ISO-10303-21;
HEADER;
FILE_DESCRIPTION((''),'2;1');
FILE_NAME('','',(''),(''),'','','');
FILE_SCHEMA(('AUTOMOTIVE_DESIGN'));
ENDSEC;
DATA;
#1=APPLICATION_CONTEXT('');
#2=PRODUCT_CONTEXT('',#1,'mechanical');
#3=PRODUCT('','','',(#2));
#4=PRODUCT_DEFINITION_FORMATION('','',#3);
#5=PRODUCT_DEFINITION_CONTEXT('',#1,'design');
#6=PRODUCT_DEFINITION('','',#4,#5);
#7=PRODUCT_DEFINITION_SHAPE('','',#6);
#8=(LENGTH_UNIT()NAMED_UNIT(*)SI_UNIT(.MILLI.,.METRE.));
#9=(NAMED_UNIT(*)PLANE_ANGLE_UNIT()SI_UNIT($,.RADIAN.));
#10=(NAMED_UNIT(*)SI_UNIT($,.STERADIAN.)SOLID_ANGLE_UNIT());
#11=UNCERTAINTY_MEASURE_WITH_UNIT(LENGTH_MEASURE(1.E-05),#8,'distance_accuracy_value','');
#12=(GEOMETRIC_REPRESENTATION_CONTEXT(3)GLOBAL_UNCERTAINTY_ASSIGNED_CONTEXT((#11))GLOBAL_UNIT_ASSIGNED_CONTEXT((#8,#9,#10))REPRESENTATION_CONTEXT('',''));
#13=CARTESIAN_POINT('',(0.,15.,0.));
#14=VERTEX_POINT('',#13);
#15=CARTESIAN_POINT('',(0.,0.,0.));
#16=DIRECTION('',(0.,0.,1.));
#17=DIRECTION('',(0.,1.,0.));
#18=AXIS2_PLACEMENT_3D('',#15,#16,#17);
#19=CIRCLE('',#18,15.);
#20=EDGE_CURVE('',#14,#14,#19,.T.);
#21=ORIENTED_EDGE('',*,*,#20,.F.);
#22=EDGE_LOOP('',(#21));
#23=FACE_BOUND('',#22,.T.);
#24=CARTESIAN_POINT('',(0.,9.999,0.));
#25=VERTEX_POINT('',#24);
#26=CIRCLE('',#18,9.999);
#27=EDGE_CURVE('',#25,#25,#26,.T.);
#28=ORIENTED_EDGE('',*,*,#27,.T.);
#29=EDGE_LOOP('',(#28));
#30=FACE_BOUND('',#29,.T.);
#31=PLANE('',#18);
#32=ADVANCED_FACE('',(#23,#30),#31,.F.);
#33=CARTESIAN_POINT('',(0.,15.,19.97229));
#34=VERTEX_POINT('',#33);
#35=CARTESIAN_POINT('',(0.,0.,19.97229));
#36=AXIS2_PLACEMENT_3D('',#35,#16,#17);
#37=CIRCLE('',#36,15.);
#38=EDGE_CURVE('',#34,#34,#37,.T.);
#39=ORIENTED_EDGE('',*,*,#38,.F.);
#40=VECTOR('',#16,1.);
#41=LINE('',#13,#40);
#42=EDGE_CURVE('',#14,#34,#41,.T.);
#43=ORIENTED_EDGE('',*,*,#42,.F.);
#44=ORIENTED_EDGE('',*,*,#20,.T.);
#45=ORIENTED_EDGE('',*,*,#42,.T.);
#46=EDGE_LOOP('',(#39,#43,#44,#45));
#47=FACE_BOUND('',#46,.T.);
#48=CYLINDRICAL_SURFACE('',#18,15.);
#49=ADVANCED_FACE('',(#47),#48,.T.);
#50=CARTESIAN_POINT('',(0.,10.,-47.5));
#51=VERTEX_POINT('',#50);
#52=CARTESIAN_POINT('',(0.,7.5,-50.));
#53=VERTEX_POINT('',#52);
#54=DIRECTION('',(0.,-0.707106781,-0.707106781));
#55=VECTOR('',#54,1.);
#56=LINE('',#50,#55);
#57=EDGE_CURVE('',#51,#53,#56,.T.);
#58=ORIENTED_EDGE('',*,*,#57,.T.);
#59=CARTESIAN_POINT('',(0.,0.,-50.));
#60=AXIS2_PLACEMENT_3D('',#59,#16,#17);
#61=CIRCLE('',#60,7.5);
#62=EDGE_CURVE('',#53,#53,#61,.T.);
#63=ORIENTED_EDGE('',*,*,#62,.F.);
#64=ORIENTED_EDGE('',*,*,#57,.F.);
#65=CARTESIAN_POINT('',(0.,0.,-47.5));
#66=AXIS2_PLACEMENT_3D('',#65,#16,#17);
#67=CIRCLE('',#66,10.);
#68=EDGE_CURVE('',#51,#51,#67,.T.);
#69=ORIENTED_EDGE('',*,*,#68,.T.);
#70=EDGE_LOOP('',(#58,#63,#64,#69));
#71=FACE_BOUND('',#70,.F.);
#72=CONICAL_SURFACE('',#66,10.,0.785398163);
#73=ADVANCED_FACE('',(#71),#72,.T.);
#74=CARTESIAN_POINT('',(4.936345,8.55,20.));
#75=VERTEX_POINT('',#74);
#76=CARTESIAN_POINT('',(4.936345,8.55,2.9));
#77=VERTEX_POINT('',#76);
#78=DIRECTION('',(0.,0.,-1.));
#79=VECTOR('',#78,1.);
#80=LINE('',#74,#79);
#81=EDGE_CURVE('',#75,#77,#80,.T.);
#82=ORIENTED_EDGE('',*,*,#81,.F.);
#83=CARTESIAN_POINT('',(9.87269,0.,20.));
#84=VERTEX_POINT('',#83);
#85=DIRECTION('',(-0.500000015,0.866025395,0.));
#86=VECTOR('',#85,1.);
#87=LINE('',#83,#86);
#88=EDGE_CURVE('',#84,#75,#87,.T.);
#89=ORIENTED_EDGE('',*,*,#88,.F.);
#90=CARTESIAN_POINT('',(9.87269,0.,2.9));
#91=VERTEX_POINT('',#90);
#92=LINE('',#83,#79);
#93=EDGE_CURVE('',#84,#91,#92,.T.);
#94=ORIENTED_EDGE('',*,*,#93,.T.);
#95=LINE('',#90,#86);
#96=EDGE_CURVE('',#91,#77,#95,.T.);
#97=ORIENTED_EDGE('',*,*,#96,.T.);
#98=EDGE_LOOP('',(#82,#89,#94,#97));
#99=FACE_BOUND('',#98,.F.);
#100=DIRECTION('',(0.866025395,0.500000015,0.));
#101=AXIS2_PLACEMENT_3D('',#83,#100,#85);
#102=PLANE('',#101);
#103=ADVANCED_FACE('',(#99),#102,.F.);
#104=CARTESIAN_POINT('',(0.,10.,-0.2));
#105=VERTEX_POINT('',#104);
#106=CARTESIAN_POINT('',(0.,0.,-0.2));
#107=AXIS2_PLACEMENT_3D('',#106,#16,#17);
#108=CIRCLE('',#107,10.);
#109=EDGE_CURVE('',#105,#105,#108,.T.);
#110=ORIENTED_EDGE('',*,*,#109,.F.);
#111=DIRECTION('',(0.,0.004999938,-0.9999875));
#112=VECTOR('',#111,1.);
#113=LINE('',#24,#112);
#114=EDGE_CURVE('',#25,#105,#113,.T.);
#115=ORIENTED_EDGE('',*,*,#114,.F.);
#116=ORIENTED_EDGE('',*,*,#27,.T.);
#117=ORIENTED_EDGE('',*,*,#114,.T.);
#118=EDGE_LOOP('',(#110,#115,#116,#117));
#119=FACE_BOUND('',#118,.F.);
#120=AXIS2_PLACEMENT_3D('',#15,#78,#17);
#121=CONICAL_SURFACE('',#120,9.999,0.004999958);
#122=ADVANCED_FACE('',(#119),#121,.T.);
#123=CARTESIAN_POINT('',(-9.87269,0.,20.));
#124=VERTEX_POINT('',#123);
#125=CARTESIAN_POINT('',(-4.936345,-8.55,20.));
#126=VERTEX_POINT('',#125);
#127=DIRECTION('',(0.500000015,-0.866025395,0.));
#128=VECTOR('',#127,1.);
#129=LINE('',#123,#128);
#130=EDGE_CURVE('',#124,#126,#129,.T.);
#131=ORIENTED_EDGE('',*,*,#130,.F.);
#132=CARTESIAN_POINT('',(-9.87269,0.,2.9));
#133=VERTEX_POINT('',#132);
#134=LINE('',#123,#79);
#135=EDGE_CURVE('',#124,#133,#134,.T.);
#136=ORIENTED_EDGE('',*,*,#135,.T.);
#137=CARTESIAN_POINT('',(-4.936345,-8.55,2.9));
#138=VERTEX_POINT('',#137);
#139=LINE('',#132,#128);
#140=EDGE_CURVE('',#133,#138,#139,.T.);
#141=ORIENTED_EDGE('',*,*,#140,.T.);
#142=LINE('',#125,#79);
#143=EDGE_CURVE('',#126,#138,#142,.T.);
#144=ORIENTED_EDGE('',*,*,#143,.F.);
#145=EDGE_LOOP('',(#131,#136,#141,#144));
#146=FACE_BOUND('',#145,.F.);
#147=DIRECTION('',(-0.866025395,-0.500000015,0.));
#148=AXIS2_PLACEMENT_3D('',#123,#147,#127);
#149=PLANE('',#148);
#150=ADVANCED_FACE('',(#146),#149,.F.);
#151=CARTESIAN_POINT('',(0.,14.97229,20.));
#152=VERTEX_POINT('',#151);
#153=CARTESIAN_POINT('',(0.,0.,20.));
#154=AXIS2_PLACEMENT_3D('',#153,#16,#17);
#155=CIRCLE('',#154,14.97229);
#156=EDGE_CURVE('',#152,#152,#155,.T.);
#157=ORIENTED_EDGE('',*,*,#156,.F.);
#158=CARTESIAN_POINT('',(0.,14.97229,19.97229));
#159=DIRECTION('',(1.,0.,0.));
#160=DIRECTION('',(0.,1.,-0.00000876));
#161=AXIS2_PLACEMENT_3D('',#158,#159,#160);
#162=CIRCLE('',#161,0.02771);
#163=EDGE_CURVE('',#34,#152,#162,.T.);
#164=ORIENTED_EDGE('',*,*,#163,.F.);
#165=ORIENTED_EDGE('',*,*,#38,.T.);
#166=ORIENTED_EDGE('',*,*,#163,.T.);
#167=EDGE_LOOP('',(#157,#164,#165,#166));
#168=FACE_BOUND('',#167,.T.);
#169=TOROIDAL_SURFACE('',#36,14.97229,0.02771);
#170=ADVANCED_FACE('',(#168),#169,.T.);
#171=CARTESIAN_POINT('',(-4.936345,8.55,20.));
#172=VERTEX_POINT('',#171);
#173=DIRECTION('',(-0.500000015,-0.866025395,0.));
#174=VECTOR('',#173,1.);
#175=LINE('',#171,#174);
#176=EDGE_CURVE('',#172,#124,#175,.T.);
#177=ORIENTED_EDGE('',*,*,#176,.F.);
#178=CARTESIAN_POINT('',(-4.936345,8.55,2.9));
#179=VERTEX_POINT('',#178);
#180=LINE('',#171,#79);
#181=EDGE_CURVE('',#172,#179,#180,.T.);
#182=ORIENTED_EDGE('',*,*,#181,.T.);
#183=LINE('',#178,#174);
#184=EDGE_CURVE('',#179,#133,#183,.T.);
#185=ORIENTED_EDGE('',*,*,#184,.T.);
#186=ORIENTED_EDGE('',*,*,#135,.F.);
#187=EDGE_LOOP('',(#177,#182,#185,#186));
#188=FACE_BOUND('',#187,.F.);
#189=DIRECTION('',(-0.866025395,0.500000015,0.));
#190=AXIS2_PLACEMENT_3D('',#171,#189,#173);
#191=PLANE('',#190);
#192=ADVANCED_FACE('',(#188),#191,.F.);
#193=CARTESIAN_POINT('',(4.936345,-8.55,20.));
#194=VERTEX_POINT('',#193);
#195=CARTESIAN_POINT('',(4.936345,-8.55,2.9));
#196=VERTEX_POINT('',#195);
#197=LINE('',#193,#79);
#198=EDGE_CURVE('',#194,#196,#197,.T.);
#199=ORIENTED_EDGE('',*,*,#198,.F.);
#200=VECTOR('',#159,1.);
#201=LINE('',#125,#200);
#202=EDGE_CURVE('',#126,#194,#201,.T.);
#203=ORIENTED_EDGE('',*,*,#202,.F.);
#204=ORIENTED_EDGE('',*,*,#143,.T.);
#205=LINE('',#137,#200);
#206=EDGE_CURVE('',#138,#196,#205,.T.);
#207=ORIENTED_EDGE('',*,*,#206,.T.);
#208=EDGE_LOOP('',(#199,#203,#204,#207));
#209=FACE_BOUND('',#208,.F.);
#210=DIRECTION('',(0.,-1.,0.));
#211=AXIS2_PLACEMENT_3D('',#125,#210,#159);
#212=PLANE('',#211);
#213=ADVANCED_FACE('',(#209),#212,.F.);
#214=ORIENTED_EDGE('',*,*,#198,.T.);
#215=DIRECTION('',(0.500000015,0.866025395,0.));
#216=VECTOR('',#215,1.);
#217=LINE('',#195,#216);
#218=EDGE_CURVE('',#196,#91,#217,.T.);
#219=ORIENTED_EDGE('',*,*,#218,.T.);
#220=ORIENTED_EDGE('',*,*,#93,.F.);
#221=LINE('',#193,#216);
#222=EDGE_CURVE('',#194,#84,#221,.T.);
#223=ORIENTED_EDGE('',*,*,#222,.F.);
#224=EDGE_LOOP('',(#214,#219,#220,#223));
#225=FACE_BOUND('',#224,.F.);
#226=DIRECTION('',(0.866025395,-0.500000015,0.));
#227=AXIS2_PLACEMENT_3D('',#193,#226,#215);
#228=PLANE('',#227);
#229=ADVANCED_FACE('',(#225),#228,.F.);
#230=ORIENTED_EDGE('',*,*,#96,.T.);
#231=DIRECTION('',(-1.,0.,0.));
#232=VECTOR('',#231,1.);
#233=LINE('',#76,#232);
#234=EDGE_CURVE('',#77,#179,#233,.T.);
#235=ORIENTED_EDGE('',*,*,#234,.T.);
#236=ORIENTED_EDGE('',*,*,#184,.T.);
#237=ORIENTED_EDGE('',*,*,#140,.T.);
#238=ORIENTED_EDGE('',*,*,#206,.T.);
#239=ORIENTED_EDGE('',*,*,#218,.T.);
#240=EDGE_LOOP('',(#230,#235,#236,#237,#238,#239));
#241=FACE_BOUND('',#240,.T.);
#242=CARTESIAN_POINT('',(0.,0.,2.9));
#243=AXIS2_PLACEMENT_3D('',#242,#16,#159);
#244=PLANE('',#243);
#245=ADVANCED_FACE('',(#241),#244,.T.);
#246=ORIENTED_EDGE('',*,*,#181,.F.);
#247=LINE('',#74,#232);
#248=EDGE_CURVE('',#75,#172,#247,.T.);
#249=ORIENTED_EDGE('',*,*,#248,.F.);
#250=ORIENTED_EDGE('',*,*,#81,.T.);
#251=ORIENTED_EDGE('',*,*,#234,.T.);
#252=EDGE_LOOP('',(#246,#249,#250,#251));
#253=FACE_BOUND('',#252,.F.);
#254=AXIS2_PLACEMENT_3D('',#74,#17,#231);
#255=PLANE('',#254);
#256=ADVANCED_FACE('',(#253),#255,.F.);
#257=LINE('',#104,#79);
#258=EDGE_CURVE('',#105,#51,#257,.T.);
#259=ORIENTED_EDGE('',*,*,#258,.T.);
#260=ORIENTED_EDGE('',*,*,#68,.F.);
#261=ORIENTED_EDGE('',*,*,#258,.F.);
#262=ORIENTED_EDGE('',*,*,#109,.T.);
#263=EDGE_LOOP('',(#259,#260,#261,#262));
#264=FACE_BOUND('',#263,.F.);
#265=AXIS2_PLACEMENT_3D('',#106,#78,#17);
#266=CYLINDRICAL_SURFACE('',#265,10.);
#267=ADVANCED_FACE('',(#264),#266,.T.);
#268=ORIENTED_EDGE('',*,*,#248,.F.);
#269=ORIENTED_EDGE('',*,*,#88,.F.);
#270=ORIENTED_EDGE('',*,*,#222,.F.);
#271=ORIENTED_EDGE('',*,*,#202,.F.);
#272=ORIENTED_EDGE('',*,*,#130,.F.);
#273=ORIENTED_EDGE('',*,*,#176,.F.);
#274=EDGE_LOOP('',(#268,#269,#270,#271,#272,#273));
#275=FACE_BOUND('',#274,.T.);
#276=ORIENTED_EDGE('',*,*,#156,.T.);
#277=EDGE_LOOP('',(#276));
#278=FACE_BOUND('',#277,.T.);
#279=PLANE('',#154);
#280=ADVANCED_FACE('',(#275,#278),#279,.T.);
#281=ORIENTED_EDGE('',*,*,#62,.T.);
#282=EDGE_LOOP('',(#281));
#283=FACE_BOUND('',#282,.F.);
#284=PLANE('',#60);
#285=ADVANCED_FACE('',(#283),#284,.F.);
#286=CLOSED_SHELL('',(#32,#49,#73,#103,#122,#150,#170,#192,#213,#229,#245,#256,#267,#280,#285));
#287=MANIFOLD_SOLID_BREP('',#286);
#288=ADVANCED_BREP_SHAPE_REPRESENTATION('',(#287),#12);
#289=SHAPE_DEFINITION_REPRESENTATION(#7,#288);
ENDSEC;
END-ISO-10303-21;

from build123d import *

# Parameters (mm, degrees)
POCKET_DEPTH = 17.1


with BuildPart() as part:
    # Sketch → Revolve (revolve)
    with BuildSketch(Plane.YZ):
        with BuildLine():
            Line((9.999, 0), (15, 0))
            Line((15, 0), (15, 19.97229))
            ThreePointArc((15, 19.97229), (14.991884, 19.991884), (14.97229, 20))
            Line((14.97229, 20), (0, 20))
            Line((0, -50), (0, 20))
            Line((7.5, -50), (0, -50))
            Line((10, -47.5), (7.5, -50))
            Line((10, -0.2), (10, -47.5))
            Line((9.999, 0), (10, -0.2))
        make_face()
    revolve(axis=Axis((0, 0, 0), (0, 0, 1)))

    # Sketch001 → Pocket (cut)
    with BuildSketch(Plane.XY.offset(20)):
        Polygon((9.87269, 0), (4.936345, 8.55), (-4.936345, 8.55), (-9.87269, 0), (-4.936345, -8.55), (4.936345, -8.55), align=None)
    extrude(amount=-POCKET_DEPTH, mode=Mode.SUBTRACT)


solid = part.part
